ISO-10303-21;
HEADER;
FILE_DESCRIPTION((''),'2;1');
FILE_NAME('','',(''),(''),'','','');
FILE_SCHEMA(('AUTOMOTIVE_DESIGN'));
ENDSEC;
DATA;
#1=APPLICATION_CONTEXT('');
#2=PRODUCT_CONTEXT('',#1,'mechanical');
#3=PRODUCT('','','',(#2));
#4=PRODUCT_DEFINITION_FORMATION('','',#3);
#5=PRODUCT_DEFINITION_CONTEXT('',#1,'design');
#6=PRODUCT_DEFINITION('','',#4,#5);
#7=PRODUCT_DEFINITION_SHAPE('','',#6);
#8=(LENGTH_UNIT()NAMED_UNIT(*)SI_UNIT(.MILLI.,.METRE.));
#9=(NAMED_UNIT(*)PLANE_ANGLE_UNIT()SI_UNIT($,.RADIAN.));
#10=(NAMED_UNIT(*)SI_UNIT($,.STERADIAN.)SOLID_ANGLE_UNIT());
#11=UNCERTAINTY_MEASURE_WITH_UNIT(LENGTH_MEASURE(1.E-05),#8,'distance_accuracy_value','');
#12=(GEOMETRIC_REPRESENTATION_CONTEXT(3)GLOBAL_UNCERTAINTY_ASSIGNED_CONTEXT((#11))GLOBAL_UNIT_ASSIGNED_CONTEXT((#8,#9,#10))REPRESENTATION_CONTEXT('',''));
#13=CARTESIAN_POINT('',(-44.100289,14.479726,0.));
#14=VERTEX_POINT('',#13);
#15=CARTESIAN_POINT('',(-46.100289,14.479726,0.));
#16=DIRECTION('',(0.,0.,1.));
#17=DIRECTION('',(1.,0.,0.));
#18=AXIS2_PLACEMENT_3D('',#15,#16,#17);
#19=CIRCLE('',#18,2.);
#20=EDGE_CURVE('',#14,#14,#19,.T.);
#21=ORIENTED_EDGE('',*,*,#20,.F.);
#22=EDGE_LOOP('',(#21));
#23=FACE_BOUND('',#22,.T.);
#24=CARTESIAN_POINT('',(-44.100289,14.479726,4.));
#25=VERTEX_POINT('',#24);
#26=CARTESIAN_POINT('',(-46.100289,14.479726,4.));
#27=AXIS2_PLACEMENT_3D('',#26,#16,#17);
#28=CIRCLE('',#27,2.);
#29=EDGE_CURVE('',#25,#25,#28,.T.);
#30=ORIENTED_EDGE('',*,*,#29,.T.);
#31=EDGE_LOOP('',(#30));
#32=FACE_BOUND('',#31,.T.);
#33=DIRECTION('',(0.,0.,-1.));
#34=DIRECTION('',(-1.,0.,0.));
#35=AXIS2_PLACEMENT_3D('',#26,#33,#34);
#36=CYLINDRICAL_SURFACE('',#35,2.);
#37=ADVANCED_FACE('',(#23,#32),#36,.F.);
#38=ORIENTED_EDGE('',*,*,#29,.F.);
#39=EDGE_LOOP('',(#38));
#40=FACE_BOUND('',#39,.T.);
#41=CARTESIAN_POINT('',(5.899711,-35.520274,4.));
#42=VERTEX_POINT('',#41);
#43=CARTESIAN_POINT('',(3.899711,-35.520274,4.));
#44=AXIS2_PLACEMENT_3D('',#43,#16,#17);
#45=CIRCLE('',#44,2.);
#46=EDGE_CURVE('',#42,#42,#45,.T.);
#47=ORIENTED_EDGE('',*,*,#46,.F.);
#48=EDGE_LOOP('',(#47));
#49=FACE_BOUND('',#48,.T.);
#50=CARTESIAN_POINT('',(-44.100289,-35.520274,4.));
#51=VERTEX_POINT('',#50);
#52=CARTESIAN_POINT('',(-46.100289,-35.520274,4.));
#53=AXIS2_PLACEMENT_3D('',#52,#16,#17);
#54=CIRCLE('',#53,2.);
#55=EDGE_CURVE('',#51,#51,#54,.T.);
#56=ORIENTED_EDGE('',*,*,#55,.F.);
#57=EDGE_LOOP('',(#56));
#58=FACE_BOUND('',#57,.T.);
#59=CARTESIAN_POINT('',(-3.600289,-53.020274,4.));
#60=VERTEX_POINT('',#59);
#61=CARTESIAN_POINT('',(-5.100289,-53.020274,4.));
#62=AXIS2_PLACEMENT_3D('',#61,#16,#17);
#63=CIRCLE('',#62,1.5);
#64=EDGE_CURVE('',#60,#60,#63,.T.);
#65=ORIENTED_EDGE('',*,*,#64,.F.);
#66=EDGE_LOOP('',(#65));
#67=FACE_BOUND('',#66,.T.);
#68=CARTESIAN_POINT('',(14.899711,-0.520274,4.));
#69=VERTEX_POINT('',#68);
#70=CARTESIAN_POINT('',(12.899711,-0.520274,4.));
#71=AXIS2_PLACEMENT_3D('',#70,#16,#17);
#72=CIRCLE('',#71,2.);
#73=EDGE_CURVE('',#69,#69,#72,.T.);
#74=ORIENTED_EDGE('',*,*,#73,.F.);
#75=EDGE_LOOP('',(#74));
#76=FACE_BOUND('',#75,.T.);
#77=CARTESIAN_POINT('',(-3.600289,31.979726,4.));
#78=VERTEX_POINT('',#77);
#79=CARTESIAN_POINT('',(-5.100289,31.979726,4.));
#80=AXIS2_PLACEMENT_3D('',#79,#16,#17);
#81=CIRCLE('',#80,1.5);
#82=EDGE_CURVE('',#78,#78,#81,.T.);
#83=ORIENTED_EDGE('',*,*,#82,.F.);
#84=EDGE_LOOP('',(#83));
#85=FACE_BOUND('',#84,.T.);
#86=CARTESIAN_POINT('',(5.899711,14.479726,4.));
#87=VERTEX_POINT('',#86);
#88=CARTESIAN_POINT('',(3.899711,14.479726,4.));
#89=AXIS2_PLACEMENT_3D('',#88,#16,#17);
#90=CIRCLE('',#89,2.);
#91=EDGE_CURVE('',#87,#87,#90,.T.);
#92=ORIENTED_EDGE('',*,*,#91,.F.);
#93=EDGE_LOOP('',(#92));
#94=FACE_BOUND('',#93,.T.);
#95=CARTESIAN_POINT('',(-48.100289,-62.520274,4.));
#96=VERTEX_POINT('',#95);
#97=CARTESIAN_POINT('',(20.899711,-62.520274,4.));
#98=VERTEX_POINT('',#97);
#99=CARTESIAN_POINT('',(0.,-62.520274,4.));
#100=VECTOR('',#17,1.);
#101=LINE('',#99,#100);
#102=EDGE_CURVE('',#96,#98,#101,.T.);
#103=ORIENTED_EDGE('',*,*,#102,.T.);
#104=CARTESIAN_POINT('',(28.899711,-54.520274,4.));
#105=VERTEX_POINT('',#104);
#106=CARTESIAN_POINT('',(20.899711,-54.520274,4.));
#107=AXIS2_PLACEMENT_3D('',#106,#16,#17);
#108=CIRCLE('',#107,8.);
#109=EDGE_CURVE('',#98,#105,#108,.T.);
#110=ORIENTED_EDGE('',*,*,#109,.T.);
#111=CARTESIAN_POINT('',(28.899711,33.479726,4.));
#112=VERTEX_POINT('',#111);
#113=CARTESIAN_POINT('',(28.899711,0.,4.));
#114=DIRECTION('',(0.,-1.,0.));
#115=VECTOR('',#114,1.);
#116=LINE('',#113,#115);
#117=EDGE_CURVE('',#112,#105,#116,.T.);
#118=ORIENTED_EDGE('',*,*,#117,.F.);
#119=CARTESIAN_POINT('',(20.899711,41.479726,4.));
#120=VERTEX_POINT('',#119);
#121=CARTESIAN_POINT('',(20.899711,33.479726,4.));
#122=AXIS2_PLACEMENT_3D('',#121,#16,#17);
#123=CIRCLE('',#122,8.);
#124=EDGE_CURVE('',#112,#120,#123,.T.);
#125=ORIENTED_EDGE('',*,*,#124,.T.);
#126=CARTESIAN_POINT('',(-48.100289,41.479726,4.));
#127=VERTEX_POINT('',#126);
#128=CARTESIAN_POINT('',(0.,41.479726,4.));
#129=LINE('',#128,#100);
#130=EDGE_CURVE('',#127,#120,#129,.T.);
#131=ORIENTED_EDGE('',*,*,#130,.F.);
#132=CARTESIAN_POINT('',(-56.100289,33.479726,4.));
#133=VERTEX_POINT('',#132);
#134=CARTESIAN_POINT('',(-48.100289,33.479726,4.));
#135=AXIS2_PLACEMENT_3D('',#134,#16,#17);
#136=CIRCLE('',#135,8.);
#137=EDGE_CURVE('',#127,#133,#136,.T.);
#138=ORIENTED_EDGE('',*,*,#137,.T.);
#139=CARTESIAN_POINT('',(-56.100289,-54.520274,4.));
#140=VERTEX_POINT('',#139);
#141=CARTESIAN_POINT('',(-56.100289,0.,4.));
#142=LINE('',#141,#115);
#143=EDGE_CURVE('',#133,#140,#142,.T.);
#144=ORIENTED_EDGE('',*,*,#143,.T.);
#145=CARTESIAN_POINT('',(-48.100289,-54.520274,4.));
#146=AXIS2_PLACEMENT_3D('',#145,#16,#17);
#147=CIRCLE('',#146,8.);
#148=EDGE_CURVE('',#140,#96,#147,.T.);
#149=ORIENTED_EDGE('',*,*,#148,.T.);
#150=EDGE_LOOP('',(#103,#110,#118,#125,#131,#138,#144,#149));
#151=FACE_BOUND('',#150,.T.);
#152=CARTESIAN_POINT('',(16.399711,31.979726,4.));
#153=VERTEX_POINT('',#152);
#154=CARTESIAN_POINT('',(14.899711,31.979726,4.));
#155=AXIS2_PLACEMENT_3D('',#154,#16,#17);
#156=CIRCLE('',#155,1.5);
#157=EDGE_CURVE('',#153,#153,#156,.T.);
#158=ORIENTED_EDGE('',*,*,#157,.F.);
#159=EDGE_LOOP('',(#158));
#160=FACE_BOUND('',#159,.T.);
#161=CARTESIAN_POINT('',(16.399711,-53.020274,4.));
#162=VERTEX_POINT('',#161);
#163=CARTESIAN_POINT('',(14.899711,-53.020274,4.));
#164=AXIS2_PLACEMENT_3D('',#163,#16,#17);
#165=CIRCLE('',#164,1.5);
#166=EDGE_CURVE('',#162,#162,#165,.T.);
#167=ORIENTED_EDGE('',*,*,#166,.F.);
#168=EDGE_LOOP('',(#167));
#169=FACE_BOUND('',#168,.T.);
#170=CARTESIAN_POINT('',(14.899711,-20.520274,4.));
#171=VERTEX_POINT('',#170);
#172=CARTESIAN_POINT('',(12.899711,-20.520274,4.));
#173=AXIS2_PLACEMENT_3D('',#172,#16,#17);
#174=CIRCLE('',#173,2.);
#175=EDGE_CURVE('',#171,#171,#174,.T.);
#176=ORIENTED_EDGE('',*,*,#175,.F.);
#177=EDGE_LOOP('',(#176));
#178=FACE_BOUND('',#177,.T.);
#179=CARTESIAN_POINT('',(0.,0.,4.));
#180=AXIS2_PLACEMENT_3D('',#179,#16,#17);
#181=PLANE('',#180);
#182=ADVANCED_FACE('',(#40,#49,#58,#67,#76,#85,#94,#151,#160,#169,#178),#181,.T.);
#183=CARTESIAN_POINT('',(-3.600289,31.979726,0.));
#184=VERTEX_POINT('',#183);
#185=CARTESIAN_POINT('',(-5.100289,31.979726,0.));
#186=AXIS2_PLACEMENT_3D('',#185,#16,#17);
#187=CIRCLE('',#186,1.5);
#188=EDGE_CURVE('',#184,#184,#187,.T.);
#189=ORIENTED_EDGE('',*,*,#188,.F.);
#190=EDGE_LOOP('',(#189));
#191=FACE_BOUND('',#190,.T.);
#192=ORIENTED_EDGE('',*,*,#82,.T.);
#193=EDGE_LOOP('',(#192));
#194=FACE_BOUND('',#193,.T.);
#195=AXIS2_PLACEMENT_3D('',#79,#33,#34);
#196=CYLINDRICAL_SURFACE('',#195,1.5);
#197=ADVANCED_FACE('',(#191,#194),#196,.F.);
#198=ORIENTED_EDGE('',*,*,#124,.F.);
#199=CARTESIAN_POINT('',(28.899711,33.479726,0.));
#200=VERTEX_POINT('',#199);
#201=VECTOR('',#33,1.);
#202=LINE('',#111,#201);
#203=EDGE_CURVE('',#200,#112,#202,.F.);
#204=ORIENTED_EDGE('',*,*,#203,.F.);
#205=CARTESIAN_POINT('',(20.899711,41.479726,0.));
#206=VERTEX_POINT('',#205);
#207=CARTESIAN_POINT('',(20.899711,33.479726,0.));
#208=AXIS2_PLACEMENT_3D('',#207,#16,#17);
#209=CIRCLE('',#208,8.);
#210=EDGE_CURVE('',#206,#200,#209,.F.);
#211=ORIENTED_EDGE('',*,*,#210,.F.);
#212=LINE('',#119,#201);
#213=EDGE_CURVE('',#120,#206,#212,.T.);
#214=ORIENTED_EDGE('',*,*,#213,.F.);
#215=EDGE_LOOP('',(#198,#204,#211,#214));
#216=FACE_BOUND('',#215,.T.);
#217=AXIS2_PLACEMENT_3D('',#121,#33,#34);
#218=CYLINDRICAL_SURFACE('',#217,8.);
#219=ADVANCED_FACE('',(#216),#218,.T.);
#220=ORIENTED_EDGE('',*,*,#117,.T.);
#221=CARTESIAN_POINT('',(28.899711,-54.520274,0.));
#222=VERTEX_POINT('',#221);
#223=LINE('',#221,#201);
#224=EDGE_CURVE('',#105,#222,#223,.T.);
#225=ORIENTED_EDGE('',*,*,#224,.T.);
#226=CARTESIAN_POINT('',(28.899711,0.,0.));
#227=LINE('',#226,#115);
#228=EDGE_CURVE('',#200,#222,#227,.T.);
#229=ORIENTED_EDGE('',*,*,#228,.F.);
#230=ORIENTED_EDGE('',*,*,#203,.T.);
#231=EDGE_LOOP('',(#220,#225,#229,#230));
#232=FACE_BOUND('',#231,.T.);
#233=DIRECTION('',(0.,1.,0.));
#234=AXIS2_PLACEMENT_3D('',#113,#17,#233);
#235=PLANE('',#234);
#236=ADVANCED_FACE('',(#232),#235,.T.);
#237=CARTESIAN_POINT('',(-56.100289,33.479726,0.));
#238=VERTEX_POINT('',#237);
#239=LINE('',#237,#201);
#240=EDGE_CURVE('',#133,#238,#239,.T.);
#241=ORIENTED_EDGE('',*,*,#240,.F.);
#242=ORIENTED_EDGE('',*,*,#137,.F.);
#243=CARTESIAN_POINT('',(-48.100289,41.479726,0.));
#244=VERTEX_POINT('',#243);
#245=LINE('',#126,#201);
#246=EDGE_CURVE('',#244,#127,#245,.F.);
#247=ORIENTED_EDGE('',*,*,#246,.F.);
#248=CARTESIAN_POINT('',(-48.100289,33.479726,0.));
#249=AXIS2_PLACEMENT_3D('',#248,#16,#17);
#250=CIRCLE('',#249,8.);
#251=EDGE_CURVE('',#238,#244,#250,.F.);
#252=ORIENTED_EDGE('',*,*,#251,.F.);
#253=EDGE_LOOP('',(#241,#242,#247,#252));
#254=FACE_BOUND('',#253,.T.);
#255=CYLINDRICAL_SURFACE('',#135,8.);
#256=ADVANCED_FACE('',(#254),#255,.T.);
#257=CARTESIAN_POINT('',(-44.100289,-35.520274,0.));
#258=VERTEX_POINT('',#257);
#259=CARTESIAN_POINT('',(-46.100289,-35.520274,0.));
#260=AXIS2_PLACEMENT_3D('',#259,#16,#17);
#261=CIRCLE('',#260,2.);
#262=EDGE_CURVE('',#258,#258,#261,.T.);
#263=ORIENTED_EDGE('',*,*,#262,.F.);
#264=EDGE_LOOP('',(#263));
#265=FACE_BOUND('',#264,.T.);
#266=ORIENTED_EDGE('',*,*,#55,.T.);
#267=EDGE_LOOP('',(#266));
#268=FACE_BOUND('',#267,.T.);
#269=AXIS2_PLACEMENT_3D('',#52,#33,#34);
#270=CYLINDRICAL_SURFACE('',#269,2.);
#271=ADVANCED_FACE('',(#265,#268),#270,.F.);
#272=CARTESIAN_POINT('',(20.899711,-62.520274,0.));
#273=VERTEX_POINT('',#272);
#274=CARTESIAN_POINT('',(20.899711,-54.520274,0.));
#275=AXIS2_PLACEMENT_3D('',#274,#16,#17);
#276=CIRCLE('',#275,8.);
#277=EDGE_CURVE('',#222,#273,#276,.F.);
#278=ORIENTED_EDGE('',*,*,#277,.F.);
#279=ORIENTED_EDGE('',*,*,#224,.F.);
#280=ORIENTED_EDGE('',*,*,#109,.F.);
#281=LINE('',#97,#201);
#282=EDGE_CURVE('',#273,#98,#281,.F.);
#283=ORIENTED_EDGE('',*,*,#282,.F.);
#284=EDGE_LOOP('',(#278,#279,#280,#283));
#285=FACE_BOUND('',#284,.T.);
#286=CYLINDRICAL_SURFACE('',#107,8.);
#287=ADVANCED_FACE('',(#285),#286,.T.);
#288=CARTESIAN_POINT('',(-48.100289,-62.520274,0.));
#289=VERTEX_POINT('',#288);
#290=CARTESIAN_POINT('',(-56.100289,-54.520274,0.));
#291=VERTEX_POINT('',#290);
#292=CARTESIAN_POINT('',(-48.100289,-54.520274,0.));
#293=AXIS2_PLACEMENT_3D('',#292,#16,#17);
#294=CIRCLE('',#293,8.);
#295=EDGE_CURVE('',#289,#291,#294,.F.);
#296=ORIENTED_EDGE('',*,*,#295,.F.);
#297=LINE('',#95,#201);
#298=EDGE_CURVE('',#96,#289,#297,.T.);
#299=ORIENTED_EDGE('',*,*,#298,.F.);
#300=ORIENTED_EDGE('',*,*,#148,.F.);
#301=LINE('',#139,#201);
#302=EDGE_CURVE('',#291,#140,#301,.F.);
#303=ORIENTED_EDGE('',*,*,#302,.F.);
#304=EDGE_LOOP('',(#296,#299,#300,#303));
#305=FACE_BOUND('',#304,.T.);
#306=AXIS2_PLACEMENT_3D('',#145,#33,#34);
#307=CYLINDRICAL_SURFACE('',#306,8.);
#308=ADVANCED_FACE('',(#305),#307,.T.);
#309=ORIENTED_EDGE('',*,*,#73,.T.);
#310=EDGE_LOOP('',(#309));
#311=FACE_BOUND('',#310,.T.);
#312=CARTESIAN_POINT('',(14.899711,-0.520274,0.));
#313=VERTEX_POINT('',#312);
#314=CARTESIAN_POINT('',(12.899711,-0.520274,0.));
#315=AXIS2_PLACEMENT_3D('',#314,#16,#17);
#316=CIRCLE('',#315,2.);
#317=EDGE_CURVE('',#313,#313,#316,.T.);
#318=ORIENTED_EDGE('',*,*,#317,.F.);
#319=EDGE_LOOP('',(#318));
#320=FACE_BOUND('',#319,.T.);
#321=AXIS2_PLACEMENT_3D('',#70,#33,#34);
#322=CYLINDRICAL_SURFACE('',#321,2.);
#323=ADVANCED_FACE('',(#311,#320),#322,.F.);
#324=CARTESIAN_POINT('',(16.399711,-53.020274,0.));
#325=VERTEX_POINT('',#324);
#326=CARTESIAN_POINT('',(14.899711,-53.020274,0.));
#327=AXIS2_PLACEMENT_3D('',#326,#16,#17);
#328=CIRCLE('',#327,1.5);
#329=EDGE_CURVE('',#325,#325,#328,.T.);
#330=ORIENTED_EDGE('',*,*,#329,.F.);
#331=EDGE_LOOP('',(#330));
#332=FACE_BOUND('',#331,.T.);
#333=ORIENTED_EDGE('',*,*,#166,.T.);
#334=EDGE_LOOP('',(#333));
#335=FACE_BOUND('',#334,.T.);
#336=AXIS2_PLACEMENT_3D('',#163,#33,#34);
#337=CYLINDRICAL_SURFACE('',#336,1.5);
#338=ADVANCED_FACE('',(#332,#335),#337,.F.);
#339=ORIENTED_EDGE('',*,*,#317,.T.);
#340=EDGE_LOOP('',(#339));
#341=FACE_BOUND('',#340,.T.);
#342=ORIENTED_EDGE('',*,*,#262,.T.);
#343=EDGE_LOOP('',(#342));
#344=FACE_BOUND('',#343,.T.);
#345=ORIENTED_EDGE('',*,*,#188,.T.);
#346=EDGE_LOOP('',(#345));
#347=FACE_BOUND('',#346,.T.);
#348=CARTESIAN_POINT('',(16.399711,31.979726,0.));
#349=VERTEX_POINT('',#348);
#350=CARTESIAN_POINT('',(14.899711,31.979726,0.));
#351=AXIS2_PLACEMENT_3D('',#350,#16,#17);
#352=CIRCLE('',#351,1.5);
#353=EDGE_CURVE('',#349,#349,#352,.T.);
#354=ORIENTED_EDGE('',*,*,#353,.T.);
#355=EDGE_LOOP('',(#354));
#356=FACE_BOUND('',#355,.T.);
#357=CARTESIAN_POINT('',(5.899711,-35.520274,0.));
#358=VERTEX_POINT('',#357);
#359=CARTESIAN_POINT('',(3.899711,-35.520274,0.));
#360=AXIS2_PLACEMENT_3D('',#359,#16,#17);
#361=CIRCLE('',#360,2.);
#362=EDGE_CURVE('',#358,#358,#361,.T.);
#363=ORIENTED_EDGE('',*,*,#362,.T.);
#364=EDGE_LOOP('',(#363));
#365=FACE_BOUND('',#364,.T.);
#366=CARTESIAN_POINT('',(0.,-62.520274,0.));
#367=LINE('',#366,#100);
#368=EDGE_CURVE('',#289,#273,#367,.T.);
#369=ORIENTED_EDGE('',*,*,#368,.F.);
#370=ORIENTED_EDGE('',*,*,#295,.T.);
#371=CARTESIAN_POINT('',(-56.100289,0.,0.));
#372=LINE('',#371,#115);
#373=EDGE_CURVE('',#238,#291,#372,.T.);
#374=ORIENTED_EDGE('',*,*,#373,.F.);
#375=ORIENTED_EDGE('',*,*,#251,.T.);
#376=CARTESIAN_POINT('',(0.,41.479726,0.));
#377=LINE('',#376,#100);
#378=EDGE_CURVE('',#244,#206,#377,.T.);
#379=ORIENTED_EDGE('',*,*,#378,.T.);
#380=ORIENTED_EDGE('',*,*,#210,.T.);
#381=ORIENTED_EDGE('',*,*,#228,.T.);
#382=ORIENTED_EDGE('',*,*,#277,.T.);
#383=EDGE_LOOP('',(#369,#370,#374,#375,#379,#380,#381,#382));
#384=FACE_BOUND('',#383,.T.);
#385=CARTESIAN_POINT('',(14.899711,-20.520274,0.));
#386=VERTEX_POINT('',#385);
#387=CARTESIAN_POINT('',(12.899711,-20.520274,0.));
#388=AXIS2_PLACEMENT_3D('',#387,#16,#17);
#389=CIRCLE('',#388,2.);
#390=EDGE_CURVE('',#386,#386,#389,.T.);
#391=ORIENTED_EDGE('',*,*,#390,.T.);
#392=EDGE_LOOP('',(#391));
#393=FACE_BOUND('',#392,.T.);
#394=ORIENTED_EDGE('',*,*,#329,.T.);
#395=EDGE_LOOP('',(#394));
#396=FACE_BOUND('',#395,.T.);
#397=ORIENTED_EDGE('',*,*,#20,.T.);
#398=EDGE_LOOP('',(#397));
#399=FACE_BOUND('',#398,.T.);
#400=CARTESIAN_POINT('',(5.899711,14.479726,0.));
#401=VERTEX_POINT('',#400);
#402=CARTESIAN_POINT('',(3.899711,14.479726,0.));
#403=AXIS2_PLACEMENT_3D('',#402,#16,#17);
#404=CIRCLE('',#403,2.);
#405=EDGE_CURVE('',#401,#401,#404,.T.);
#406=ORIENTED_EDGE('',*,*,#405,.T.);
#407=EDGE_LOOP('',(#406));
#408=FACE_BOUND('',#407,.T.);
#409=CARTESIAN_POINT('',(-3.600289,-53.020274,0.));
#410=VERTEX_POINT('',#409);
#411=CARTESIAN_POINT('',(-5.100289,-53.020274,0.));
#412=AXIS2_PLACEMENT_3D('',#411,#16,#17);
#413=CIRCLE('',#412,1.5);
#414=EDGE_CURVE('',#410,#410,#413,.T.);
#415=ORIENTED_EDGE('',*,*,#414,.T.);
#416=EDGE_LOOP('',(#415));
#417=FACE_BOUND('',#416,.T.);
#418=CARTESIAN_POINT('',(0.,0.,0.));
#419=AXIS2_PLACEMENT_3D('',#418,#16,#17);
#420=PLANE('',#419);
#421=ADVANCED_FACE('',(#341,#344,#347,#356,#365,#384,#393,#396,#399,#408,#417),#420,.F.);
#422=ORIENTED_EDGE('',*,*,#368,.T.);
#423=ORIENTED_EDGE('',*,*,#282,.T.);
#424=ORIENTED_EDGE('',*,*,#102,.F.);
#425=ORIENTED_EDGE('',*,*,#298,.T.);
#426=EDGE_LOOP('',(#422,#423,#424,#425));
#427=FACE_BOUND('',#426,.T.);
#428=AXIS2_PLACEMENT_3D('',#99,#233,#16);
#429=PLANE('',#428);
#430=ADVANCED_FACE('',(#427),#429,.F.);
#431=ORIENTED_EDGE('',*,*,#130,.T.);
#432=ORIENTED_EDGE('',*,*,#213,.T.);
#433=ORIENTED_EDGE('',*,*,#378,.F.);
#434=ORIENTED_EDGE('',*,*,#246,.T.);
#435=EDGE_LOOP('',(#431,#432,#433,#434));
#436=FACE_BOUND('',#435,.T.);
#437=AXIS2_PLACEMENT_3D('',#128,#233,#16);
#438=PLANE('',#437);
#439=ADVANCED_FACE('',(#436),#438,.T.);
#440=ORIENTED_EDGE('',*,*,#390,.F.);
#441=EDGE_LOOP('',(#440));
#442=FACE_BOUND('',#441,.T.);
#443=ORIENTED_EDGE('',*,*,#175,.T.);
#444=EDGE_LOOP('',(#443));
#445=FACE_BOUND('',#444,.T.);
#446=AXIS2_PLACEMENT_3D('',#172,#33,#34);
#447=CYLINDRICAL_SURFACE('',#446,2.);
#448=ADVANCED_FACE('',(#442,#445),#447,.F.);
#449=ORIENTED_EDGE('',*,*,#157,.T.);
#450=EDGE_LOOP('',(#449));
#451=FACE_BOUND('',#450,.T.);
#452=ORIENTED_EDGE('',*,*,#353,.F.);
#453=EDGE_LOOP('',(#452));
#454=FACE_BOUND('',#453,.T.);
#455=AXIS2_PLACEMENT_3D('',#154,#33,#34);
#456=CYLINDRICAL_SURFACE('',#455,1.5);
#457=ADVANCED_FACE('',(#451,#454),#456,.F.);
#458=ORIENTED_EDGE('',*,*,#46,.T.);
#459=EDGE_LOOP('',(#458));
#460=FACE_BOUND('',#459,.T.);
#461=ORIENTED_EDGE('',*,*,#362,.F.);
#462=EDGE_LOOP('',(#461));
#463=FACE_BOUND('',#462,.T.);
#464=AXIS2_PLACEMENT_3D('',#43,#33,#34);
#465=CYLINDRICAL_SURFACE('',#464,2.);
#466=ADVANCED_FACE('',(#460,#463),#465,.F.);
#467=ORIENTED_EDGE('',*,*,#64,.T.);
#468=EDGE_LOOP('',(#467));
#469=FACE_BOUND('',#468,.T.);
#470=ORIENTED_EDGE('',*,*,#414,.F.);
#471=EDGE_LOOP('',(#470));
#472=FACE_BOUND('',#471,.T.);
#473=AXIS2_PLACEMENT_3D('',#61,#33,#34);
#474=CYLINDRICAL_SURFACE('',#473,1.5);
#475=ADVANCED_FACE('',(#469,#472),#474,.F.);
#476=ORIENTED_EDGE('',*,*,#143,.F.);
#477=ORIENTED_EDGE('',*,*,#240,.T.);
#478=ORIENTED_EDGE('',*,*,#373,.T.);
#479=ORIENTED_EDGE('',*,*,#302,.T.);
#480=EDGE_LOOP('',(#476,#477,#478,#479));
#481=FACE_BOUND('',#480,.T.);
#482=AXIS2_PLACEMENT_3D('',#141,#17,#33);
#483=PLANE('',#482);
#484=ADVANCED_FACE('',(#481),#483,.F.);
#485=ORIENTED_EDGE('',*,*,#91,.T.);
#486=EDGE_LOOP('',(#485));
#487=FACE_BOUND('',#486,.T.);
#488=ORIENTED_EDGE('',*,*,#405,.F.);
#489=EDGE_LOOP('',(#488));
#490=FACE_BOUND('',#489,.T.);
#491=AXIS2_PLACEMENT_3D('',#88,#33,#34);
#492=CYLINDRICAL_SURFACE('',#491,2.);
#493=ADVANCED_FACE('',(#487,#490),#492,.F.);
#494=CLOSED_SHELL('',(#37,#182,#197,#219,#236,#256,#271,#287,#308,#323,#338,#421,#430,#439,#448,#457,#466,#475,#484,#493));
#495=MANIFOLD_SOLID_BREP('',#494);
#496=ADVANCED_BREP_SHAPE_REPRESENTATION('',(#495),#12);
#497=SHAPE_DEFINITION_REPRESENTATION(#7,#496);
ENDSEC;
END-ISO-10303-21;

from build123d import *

# Parameters (mm, degrees)
SKETCH_1_W      = 85
SKETCH_1_H      = 104
SKETCH_1_R      = 2
SKETCH_1_R_2    = 1.5
EXTRUDE_1_DEPTH = 4
FILLET_1_R      = 8


with BuildPart() as part:
    # 草图1 → 凸台-拉伸1 (new body)
    with BuildSketch(Plane.XY):
        with Locations((-13.600288588, -10.520274333)):
            Rectangle(SKETCH_1_W, SKETCH_1_H)
        with Locations((12.899711412, -0.520274333)):
            Circle(SKETCH_1_R, mode=Mode.SUBTRACT)
        with Locations((12.899711412, -20.520274333)):
            Circle(SKETCH_1_R, mode=Mode.SUBTRACT)
        with Locations((-46.100288588, 14.479725667)):
            Circle(SKETCH_1_R, mode=Mode.SUBTRACT)
        with Locations((-46.100288588, -35.520274333)):
            Circle(SKETCH_1_R, mode=Mode.SUBTRACT)
        with Locations((3.899711412, -35.520274333)):
            Circle(SKETCH_1_R, mode=Mode.SUBTRACT)
        with Locations((3.899711412, 14.479725667)):
            Circle(SKETCH_1_R, mode=Mode.SUBTRACT)
        with Locations((-5.100288588, 31.979725667)):
            Circle(SKETCH_1_R_2, mode=Mode.SUBTRACT)
        with Locations((14.899711412, 31.979725667)):
            Circle(SKETCH_1_R_2, mode=Mode.SUBTRACT)
        with Locations((-5.100288588, -53.020274333)):
            Circle(SKETCH_1_R_2, mode=Mode.SUBTRACT)
        with Locations((14.899711412, -53.020274333)):
            Circle(SKETCH_1_R_2, mode=Mode.SUBTRACT)
    extrude(amount=EXTRUDE_1_DEPTH)

    # 圆角1
    fillet_1_edges = [part.edges().sort_by_distance(p)[0] for p in [
        (28.899711412, -62.520274333, 2),
        (-56.100288588, -62.520274333, 2),
        (-56.100288588, 41.479725667, 2),
        (28.899711412, 41.479725667, 2),
    ]]
    fillet(fillet_1_edges, radius=FILLET_1_R)


solid = part.part
